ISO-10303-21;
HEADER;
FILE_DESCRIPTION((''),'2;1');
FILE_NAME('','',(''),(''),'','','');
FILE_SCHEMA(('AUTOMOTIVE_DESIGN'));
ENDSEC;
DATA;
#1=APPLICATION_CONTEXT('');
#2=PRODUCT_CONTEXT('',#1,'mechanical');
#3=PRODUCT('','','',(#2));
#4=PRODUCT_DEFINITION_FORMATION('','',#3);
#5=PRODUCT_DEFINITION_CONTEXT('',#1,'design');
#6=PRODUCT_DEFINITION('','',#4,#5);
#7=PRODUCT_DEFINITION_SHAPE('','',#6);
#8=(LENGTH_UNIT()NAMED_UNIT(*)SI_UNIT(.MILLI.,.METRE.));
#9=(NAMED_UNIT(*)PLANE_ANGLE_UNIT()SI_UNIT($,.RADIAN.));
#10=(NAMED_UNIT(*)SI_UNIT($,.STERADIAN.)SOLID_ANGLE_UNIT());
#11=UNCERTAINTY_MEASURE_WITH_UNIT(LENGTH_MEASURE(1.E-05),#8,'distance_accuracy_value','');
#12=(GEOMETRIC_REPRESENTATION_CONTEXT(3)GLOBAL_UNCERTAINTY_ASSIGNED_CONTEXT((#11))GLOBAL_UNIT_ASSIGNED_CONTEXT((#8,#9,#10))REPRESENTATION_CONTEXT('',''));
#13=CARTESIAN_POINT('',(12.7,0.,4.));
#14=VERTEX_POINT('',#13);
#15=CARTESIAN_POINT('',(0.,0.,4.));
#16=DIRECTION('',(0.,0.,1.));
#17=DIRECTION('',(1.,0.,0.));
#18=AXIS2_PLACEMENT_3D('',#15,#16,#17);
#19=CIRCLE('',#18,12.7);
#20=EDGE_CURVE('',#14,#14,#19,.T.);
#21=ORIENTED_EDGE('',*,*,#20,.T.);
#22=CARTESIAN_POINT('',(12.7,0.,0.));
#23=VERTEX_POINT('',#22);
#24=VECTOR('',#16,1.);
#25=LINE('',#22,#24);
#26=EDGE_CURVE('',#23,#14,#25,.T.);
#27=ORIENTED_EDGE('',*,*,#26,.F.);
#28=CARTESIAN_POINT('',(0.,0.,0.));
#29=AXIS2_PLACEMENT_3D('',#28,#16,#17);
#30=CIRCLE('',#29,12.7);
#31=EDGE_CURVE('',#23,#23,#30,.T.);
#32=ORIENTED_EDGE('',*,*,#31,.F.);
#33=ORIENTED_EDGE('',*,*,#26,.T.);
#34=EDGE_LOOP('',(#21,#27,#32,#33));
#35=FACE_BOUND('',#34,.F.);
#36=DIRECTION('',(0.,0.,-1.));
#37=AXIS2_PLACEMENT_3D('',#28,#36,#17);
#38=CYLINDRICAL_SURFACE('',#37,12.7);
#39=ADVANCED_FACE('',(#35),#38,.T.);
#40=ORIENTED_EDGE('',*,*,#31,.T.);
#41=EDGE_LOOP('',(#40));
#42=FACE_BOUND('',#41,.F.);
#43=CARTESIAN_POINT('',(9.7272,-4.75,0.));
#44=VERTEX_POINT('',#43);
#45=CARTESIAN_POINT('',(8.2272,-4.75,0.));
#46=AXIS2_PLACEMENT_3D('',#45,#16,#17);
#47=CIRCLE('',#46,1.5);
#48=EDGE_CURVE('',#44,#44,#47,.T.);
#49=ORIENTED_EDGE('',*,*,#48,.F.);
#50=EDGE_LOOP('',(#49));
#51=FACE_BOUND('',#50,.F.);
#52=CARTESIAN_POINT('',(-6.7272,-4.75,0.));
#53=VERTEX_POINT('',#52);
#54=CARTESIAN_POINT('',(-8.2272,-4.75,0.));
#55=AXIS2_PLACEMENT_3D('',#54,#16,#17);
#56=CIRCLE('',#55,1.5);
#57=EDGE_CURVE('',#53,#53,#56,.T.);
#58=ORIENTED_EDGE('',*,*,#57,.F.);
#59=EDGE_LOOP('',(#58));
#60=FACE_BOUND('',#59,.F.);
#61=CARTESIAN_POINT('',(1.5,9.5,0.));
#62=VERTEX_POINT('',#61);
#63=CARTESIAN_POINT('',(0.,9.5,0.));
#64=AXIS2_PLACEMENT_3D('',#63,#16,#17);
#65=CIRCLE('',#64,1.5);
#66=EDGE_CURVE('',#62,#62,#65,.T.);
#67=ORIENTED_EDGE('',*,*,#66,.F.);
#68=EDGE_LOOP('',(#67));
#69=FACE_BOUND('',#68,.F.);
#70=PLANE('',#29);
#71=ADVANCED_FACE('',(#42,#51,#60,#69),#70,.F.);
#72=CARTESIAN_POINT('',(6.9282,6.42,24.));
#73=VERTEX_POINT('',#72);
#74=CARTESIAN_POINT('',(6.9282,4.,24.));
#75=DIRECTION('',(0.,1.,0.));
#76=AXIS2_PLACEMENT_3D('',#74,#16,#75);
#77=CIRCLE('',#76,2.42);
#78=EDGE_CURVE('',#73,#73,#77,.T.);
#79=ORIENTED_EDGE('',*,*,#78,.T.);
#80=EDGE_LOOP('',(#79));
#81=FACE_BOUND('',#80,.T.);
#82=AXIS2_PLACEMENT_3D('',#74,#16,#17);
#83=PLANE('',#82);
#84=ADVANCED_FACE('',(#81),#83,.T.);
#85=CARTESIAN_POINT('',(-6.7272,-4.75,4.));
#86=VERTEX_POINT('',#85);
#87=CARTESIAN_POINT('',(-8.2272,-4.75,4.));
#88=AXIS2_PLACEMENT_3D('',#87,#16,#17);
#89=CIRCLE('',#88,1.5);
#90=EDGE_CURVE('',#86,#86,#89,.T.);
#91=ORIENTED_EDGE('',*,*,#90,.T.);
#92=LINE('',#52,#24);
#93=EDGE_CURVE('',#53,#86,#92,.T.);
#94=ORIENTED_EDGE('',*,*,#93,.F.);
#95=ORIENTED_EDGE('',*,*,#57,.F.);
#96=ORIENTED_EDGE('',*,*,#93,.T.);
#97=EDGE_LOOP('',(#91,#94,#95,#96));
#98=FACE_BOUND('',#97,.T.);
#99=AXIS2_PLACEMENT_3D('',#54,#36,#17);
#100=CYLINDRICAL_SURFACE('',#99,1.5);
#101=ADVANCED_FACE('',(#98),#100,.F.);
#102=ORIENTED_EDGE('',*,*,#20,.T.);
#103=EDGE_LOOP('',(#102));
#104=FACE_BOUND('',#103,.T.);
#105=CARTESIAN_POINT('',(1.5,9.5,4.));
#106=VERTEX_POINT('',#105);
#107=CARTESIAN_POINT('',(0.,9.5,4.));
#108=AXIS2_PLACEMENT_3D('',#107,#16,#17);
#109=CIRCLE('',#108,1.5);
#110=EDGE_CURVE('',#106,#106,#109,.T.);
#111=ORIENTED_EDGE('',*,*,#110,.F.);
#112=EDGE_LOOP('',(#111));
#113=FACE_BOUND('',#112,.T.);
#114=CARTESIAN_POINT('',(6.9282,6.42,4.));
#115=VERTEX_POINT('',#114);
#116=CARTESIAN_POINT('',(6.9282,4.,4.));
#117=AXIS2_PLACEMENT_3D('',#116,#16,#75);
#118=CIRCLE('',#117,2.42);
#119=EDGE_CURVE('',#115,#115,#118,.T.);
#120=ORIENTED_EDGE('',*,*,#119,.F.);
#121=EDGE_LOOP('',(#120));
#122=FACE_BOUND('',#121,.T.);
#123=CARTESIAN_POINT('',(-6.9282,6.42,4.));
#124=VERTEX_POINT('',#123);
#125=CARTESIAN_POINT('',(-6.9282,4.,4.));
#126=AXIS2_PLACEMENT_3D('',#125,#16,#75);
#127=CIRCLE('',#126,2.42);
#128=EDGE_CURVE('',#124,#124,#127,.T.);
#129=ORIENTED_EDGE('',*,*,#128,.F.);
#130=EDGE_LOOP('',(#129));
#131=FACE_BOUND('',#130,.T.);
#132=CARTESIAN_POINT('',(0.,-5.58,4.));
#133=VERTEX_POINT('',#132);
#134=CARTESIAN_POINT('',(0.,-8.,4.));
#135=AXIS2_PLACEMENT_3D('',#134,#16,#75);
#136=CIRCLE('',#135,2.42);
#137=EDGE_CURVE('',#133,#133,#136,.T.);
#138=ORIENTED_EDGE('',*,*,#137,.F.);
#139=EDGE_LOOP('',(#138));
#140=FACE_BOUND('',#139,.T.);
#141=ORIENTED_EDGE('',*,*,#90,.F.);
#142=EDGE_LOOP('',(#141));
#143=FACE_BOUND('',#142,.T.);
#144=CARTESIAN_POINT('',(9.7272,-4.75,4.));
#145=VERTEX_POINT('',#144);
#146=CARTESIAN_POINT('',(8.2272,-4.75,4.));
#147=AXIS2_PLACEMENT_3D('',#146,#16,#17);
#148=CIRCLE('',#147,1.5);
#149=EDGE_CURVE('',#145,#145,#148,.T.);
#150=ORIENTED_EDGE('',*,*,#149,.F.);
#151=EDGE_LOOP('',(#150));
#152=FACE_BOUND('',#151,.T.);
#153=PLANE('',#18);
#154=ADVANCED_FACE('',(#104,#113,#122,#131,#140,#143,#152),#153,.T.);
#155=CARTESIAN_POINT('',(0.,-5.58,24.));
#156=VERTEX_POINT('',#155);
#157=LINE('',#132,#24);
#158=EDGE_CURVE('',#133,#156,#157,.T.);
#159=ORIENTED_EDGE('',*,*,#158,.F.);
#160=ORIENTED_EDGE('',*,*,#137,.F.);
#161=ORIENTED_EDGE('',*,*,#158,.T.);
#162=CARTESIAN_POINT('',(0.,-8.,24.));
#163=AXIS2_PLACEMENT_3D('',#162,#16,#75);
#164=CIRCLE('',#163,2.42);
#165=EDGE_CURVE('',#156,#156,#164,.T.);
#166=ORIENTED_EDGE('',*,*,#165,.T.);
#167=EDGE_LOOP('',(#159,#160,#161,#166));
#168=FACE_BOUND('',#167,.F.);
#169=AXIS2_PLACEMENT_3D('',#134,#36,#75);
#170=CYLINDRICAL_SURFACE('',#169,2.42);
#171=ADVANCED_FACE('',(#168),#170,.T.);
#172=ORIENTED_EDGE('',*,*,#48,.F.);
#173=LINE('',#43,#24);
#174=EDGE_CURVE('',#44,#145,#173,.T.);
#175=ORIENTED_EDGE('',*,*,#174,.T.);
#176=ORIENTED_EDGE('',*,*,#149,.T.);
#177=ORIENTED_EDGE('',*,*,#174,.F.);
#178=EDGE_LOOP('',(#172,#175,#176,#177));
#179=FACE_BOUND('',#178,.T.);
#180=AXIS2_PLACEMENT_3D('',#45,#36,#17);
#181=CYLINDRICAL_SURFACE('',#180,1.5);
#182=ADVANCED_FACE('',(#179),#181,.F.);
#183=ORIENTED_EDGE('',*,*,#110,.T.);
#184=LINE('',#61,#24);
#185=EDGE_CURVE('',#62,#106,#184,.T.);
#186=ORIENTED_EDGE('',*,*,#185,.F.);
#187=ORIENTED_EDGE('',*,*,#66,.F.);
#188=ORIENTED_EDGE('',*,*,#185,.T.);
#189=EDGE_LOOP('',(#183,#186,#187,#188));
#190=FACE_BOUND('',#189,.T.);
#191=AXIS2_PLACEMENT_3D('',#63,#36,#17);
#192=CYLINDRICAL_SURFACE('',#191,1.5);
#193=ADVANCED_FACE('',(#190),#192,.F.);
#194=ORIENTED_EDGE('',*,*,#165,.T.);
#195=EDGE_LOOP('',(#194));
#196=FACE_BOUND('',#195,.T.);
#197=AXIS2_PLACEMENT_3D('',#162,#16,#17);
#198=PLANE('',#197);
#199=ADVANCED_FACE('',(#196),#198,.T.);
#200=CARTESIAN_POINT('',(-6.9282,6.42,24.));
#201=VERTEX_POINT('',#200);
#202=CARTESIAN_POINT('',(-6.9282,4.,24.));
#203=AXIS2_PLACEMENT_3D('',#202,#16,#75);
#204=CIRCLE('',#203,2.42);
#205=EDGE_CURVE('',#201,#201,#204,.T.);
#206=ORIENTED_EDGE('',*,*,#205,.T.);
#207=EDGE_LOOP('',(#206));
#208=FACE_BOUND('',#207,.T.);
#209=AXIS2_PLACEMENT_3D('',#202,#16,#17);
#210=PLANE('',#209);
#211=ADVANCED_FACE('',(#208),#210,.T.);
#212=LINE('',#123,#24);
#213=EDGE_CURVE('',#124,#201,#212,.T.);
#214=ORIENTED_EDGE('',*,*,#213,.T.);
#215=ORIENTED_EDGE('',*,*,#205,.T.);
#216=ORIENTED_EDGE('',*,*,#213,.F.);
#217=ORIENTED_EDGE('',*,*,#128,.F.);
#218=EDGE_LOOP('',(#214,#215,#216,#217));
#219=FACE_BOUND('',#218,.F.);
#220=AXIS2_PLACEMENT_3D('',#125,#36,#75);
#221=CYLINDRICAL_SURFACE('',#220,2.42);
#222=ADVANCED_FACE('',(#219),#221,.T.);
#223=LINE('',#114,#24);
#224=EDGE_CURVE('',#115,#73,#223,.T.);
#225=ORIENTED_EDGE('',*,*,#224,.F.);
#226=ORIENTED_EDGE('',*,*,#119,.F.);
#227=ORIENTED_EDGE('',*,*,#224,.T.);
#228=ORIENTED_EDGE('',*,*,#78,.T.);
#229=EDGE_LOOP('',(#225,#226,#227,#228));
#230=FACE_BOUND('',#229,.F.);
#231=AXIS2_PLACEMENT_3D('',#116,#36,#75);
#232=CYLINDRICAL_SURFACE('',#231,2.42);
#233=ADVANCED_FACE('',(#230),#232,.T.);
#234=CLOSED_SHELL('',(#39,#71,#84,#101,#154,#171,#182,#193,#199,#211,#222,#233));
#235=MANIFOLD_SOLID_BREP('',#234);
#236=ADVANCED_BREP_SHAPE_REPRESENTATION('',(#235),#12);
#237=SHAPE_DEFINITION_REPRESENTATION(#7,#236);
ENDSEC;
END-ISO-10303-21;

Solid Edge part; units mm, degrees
sketch "Sketch1" plane through (0, 0, 0) normal (0, 0, 1) x (1, 0, 0)
  circle A0 centre (0, 0) radius 12.7
  circle A1 centre (0, 9.5) radius 1.5
  circle A2 centre (-8.2272, -4.75) radius 1.5
  circle A3 centre (8.2272, -4.75) radius 1.5
extrude "Protrusion1" add sketch "Sketch1" along normal blind 4
sketch "Sketch2" plane through (0, 0, 4) normal (0, 0, 1) x (0, 1, 0)
  circle A0 centre (-8, 0) radius 2.42
  circle A1 centre (4, 6.9282) radius 2.42
  circle A2 centre (4, -6.9282) radius 2.42
extrude "ExtrudedProtrusion_3" add sketch "Sketch2" along normal blind 20
